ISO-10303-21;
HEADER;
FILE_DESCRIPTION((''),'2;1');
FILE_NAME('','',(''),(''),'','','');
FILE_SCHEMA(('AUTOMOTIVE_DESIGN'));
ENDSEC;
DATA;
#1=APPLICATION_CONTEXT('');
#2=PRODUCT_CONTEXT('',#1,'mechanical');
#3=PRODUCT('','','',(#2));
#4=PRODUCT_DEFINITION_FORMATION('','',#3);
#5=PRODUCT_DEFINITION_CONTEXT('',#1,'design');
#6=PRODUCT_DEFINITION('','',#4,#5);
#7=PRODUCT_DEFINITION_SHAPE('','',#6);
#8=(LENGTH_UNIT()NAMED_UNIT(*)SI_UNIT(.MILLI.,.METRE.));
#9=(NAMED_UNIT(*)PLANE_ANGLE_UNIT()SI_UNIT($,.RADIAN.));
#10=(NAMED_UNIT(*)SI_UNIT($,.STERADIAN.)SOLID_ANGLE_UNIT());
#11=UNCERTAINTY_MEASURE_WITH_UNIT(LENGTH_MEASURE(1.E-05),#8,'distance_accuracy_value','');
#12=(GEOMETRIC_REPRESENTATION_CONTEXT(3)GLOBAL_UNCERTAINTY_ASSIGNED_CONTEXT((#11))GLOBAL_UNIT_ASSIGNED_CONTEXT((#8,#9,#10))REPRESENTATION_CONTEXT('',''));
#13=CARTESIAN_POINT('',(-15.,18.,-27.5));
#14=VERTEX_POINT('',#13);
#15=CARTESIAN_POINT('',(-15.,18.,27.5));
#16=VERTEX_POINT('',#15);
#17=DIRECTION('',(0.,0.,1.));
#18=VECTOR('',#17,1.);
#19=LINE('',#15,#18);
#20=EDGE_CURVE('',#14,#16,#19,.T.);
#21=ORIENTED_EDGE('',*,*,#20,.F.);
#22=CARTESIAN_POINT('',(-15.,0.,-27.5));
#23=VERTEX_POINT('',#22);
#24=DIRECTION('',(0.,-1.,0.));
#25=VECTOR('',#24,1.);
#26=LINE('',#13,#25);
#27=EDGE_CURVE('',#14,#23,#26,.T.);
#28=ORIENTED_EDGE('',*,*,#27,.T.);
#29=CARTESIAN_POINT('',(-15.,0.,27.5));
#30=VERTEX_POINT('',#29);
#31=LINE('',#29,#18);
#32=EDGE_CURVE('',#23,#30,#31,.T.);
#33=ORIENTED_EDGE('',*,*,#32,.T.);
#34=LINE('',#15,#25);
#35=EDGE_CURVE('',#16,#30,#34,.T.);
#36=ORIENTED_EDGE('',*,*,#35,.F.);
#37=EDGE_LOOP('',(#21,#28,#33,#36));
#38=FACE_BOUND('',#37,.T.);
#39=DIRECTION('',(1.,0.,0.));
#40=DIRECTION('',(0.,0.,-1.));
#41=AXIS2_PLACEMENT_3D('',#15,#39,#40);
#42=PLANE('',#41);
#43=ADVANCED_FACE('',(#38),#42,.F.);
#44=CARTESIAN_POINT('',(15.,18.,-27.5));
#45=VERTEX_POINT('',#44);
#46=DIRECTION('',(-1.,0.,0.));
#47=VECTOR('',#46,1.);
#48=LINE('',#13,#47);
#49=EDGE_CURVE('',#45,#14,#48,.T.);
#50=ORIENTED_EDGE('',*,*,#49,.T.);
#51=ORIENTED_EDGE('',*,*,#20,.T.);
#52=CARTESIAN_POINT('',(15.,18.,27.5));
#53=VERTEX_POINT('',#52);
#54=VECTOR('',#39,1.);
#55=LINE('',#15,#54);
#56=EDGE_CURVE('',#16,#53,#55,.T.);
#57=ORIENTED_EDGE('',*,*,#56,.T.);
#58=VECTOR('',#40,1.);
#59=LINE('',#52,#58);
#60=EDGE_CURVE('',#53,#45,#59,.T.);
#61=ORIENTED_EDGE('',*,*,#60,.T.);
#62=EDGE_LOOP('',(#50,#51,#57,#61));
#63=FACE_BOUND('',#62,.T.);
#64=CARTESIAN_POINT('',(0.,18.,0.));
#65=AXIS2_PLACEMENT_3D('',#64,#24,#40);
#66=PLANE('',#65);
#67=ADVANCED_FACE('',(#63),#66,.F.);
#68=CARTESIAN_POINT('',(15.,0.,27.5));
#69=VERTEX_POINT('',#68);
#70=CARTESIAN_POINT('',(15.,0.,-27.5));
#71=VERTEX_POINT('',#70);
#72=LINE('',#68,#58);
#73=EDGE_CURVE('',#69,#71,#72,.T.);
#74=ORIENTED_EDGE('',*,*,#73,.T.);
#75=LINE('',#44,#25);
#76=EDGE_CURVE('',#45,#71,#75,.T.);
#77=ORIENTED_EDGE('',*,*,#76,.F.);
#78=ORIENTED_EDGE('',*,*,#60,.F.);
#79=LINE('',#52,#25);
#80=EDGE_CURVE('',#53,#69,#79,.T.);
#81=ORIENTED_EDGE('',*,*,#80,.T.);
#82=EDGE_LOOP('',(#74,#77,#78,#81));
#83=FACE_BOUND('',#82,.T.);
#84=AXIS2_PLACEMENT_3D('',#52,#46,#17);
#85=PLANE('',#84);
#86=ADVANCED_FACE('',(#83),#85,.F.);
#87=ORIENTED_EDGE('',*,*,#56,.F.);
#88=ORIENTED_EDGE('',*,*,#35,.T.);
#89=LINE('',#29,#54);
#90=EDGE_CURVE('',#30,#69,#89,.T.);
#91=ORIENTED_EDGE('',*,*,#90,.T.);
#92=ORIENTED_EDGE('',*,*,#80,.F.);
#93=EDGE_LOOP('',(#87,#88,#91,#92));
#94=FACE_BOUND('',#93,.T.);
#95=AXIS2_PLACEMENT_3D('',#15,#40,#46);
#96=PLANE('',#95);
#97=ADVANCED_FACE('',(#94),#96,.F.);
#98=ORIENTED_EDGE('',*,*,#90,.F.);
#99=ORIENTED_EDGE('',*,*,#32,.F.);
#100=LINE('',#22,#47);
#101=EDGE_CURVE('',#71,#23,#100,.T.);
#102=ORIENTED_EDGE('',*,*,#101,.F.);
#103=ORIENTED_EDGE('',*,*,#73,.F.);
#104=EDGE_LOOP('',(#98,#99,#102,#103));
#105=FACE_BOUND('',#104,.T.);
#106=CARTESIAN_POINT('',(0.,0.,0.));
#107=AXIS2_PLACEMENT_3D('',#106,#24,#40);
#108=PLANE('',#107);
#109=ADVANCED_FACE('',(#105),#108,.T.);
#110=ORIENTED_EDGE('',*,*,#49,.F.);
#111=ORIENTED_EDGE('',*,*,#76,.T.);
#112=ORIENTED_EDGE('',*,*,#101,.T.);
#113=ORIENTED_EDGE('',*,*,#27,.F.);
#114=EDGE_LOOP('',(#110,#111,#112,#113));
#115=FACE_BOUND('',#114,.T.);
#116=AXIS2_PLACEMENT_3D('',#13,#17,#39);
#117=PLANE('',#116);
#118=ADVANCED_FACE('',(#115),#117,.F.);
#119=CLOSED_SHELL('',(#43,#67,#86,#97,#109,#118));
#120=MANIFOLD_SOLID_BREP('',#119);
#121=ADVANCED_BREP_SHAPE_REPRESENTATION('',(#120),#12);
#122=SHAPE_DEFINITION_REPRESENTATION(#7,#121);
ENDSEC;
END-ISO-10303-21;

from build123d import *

# Parameters (mm, degrees)
SKETCH_1_W      = 30
SKETCH_1_H      = 55
EXTRUDE_1_DEPTH = 18


with BuildPart() as part:
    # 草图1 → 凸台-拉伸1 (new body)
    with BuildSketch(Plane(origin=(0, 0, 0), x_dir=(1, 0, 0), z_dir=(0, 1, 0))):
        Rectangle(SKETCH_1_W, SKETCH_1_H)
    extrude(amount=EXTRUDE_1_DEPTH)


solid = part.part
